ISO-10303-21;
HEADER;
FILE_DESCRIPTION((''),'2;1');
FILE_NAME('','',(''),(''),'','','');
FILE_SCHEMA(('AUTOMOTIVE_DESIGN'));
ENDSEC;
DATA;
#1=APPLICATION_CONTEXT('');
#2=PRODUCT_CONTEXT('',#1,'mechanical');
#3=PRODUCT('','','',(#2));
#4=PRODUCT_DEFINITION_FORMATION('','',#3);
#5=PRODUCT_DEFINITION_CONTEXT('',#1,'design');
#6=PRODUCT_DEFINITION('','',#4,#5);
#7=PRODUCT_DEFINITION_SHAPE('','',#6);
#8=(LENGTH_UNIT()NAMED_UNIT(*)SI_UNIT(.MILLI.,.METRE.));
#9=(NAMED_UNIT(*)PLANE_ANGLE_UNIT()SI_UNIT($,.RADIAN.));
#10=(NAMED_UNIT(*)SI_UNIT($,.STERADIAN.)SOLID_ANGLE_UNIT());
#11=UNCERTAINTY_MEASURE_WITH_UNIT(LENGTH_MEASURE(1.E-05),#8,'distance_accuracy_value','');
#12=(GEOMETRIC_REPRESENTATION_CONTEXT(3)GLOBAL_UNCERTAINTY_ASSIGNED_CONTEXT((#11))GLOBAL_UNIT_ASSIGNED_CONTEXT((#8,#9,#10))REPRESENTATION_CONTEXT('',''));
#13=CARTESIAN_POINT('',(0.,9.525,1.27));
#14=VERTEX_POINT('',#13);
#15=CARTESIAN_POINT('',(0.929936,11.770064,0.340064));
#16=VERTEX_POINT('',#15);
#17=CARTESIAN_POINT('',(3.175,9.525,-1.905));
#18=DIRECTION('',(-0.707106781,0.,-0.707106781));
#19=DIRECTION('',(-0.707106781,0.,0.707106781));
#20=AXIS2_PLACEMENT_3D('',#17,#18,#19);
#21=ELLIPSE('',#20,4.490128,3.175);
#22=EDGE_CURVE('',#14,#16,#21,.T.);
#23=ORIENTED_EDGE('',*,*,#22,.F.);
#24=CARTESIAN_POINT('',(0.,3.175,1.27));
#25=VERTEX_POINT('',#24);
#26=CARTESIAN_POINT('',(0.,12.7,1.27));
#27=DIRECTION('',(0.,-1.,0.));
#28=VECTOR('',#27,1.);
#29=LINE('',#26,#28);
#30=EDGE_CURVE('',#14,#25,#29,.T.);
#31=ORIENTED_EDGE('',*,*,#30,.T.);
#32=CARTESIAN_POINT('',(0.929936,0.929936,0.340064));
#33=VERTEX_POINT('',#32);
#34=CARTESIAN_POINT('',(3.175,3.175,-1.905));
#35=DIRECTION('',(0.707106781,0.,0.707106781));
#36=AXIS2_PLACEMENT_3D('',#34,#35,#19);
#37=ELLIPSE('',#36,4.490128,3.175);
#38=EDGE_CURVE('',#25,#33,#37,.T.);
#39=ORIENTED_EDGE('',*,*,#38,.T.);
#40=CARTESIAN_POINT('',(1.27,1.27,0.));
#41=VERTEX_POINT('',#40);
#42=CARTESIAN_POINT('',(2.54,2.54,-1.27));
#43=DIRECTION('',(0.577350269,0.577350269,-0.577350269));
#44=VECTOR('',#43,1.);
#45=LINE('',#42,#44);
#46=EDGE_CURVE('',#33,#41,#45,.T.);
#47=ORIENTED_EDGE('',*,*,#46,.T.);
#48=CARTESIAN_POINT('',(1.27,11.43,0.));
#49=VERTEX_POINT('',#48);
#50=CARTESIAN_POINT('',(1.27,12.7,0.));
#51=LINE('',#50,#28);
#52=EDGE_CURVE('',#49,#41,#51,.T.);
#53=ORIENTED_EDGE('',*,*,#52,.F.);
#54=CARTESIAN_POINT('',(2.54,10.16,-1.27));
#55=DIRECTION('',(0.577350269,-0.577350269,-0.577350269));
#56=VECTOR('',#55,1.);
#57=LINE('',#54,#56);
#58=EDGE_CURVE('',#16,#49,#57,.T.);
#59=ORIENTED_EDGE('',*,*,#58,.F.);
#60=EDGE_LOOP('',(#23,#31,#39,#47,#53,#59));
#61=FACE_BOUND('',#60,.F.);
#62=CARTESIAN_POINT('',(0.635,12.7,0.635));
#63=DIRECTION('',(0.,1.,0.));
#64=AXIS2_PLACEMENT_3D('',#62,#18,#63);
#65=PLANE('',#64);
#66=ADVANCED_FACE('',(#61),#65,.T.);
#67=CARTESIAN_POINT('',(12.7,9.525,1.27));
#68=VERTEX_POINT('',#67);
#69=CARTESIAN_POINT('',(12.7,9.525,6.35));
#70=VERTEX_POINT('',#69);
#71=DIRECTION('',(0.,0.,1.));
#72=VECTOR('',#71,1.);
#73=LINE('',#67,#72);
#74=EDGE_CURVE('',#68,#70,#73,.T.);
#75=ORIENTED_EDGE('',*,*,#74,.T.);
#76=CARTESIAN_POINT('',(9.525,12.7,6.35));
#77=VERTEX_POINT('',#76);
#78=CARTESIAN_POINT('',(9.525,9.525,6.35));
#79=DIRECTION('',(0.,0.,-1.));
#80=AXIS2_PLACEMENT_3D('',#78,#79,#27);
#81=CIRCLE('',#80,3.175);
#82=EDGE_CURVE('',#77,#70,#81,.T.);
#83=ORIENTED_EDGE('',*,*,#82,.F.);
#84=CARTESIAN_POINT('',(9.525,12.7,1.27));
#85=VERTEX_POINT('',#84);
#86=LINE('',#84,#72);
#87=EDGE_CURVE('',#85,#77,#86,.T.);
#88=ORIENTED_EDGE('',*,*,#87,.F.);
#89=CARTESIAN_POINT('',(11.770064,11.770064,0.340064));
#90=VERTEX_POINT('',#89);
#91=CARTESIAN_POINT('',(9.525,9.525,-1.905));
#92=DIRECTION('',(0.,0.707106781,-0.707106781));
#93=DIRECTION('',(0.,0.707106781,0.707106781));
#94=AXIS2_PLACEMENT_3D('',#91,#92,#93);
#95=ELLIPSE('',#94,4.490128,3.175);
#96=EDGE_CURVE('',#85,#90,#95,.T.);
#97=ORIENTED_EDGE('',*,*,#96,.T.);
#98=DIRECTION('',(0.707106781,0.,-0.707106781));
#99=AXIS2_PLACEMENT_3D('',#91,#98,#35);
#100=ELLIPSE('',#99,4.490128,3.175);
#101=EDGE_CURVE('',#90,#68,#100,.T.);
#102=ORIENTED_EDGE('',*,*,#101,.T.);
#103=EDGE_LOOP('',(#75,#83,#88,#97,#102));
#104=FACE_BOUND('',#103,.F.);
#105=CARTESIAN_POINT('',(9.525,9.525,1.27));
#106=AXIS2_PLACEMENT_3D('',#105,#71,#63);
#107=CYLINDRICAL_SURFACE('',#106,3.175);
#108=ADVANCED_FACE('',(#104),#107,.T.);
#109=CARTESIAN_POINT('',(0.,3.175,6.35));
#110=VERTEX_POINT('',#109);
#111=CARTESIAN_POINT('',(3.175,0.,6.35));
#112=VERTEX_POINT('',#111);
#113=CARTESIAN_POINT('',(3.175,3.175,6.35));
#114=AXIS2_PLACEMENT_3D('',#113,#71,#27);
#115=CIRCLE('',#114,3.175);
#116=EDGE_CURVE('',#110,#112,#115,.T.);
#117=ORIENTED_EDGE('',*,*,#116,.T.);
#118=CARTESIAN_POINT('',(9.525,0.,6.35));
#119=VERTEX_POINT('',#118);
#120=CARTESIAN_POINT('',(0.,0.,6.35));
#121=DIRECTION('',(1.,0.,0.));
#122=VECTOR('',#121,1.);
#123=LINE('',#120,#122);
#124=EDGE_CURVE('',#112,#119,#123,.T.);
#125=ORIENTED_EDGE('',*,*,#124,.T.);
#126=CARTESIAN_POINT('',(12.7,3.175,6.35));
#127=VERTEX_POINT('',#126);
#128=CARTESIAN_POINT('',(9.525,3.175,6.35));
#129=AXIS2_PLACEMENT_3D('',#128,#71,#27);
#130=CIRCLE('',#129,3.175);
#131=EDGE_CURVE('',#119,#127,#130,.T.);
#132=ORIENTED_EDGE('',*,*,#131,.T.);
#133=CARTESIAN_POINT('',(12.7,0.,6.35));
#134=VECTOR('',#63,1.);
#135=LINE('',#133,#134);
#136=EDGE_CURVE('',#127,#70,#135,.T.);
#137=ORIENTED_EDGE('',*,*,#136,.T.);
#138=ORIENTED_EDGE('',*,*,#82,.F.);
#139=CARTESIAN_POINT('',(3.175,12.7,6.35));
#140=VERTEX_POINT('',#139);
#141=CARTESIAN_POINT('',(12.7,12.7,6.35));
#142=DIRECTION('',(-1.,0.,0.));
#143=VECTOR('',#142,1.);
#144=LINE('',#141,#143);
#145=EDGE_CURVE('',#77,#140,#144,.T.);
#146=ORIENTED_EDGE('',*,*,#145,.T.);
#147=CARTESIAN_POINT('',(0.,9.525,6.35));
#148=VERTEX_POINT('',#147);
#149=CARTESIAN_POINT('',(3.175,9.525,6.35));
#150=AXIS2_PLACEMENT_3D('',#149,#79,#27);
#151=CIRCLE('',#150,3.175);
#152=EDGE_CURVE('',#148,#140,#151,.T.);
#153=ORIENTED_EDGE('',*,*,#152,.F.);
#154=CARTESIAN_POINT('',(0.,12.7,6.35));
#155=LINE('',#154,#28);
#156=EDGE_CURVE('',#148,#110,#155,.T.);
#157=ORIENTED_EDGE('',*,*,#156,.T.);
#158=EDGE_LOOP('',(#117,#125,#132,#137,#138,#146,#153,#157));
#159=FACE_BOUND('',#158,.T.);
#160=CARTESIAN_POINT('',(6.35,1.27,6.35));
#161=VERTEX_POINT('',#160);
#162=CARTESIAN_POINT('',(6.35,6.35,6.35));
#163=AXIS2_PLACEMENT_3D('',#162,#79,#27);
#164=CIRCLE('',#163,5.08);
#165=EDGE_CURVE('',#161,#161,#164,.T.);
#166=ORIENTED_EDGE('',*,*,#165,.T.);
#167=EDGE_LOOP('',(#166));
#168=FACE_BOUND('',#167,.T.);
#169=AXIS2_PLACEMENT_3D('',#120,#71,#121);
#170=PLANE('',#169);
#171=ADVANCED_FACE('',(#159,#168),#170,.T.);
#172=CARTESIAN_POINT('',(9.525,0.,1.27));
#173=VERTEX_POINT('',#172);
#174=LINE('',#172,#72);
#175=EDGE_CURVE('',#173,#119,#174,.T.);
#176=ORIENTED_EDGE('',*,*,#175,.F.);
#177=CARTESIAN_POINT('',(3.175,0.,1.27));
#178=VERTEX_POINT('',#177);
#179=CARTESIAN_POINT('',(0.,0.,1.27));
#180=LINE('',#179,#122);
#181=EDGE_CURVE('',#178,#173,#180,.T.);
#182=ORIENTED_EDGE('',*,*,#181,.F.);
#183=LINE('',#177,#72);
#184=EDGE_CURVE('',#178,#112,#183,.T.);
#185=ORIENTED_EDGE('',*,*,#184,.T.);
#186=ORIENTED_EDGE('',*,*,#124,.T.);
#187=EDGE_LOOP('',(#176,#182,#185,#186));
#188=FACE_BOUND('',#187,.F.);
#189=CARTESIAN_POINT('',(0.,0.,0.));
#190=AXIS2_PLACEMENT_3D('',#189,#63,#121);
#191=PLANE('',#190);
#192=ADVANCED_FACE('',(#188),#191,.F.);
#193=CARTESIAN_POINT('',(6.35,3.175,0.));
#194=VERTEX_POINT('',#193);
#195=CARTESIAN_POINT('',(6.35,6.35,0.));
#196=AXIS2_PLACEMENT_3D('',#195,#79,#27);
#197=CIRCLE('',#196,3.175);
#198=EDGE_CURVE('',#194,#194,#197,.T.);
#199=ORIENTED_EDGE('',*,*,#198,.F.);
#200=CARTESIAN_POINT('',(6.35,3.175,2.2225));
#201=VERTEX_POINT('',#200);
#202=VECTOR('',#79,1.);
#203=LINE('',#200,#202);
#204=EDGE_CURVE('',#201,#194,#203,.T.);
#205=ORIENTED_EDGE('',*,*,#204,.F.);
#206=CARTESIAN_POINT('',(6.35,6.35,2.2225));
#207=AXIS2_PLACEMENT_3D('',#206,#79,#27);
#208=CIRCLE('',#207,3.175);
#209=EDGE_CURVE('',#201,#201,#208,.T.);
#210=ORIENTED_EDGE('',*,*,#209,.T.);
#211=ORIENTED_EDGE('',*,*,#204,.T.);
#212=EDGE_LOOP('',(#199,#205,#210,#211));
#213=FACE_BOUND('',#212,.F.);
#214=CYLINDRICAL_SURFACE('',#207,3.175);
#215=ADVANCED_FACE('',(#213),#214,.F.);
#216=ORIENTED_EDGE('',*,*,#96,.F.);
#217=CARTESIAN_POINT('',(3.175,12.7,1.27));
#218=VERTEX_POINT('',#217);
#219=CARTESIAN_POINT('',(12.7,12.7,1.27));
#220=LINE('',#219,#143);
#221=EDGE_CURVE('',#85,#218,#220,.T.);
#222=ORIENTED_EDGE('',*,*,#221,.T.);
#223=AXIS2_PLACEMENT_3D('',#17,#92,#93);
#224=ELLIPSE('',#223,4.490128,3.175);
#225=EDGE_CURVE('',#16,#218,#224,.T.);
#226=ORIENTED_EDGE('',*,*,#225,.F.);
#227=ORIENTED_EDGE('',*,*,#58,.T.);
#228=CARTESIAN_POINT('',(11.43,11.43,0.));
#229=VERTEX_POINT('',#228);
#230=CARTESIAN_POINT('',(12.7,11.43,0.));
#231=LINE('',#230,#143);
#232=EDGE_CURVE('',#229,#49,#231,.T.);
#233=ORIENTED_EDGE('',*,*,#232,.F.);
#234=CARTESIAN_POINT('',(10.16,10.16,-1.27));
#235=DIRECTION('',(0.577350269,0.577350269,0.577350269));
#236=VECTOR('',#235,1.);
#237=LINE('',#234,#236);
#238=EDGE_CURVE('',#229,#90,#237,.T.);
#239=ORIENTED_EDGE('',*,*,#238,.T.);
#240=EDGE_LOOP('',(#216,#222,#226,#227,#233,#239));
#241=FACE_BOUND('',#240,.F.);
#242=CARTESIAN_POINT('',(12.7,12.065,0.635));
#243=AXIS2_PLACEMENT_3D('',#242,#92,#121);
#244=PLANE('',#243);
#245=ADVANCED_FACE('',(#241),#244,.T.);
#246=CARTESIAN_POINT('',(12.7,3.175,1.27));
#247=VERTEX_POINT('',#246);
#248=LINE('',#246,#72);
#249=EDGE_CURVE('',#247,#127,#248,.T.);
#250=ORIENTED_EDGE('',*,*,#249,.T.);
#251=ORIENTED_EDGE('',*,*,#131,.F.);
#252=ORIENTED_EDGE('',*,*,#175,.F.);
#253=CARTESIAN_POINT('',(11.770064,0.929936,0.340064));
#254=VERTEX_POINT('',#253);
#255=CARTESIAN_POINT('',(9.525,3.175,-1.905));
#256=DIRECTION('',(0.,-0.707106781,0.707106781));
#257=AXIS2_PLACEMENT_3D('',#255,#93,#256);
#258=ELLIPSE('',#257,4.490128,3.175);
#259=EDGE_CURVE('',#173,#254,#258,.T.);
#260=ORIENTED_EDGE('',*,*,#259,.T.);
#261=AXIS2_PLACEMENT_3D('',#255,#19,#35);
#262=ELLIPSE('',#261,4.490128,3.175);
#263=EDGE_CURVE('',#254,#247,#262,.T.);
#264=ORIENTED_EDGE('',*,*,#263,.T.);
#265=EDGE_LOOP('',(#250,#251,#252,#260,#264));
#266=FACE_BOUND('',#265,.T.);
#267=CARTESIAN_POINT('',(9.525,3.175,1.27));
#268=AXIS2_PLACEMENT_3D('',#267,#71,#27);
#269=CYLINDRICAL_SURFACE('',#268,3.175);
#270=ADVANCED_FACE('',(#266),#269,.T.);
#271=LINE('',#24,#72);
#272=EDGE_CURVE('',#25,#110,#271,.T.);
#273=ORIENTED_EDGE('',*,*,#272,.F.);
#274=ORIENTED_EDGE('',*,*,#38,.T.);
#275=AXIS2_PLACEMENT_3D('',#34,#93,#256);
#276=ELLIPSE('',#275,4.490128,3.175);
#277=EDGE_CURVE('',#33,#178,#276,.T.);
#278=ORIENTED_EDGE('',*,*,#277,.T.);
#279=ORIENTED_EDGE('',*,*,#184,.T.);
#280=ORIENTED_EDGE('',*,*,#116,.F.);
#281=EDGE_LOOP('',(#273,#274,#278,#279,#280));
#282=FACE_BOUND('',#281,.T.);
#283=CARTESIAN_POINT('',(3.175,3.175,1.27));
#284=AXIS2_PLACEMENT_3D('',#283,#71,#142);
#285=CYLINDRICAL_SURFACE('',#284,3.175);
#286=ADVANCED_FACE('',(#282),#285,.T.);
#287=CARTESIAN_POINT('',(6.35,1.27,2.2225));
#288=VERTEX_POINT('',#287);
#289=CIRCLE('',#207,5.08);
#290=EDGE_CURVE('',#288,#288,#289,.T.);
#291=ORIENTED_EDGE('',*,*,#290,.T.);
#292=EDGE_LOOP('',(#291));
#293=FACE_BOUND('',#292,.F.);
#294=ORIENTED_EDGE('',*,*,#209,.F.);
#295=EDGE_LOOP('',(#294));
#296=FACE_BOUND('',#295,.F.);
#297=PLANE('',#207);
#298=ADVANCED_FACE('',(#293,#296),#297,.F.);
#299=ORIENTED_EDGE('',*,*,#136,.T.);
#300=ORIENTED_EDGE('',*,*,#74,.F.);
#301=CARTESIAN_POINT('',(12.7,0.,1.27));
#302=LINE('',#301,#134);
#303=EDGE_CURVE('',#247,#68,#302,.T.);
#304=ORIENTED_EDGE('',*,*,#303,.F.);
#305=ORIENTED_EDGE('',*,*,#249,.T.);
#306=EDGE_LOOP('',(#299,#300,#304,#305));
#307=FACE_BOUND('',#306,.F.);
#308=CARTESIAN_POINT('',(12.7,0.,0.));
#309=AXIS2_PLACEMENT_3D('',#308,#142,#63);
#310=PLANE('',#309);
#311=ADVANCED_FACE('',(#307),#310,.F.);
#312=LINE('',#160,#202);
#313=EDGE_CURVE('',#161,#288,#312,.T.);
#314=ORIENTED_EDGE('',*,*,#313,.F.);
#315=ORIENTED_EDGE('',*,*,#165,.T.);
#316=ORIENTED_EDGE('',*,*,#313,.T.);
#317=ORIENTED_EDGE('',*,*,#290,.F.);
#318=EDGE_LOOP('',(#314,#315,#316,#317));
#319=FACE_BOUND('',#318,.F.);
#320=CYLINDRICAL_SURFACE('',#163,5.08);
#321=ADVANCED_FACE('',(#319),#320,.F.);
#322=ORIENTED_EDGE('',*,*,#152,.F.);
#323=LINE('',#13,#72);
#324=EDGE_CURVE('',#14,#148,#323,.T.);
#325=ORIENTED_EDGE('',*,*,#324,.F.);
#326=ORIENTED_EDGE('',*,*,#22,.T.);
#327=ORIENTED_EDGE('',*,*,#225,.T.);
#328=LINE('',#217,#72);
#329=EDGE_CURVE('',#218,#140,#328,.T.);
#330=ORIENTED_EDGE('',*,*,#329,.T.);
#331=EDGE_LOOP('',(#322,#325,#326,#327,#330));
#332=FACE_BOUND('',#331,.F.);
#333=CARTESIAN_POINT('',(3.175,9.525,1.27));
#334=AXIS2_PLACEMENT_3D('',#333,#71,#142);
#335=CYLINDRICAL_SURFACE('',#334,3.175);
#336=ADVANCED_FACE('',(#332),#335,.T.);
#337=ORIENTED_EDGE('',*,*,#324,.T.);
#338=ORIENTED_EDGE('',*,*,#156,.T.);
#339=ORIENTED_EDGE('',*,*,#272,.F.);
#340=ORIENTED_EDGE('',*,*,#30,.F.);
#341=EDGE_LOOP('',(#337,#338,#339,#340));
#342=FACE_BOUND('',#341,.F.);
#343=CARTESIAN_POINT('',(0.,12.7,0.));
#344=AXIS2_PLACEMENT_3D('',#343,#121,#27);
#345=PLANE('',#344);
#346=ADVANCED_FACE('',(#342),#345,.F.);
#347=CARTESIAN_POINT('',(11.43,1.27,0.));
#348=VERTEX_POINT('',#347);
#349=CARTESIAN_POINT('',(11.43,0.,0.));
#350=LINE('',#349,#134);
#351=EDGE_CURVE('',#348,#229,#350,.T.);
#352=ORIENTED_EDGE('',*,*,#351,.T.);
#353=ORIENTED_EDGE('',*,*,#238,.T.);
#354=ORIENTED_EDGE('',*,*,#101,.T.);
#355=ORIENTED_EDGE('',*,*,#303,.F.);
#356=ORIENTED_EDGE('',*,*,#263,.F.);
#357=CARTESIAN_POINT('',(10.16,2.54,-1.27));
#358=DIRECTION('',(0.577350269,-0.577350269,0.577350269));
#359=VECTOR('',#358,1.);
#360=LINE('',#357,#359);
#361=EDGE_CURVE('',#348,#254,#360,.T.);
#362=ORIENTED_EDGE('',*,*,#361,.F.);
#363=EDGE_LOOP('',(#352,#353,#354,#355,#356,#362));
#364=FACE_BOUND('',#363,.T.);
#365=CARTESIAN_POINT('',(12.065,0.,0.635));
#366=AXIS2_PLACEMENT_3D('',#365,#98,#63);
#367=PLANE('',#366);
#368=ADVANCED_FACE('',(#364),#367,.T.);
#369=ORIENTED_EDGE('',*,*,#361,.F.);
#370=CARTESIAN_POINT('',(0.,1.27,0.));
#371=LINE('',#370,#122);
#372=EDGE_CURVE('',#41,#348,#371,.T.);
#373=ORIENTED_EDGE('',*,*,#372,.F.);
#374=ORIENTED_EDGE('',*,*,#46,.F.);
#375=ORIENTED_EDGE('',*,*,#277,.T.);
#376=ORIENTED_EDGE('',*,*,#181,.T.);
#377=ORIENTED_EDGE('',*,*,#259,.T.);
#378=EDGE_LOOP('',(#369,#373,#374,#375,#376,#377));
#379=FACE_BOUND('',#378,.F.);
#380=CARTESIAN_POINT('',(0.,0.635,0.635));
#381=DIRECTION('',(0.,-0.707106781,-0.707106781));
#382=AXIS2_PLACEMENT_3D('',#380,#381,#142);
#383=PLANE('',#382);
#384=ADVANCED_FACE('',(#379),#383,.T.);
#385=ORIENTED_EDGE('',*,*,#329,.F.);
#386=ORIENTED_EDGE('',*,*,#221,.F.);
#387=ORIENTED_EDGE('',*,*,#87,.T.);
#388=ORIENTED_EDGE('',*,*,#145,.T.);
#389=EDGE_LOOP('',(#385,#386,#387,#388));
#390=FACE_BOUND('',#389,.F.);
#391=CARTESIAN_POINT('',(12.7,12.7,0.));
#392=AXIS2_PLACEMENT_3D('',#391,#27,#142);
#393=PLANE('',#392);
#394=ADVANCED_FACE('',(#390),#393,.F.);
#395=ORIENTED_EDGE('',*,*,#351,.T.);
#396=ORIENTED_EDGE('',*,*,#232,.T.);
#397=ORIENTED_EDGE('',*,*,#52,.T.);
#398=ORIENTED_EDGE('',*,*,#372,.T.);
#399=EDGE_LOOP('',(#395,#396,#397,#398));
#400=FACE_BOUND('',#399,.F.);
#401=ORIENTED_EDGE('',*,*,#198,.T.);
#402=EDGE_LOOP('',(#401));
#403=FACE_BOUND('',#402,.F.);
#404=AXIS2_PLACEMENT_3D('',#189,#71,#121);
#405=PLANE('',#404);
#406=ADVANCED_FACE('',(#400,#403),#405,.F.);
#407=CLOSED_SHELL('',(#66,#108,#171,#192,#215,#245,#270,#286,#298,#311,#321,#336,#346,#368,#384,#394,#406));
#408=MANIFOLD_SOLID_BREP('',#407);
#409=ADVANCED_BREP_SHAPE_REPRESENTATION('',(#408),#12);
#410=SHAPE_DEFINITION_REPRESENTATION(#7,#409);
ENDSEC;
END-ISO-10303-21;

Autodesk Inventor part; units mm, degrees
ref_plane "YZ Plane" through (0, 0, 0) normal (1, 0, 0) x (0, 1, 0)
ref_plane "XZ Plane" through (0, 0, 0) normal (0, 1, 0) x (-1, 0, 0)
ref_plane "XY Plane" through (0, 0, 0) normal (0, 0, 1) x (1, 0, 0)
sketch "Sketch1" plane through (0, 0, 0) normal (0, 0, 1) x (1, 0, 0)
  line L0 (0, 0) -> (12.7, 0)
  line L1 (12.7, 0) -> (12.7, 12.7)
  line L2 (12.7, 12.7) -> (0, 12.7)
  line L3 (0, 12.7) -> (0, 0)
  dimension "d0" = 12.7
  dimension "d1" = 12.7
extrude "Extrusion1" add sketch "Sketch1" along normal blind 6.35
sketch "Sketch2" plane through (0, 0, 6.35) normal (0, 0, 1) x (1, 0, 0)
  line L0 (0, 12.7) -> (0, 0) construction
  line L1 (0, 0) -> (12.7, 0) construction
  line L2 (0, 12.7) -> (12.7, 0) construction
  line L3 (12.7, 12.7) -> (0, 12.7) construction
  line L4 (0, 0) -> (12.7, 12.7) construction
  point P0 (6.35, 6.35)
hole "Hole1" at (6.35, 6.35, 6.35) direction (0, 0, -1) diameter 6.35 end through all counterbore diameter 10.16 counterbore depth 4.1275
chamfer "Chamfer1" distance 1.27 angle 45 4 edges at (12.7, 6.35, 0) (6.35, 12.7, 0) (0, 6.35, 0) (6.35, 0, 0)
fillet "Fillet1" radius 3.175 4 edges at (12.7, 12.7, 3.81) (12.7, 0, 3.81) (0, 12.7, 3.81) (0, 0, 3.81)
properties part number "testswitch"
